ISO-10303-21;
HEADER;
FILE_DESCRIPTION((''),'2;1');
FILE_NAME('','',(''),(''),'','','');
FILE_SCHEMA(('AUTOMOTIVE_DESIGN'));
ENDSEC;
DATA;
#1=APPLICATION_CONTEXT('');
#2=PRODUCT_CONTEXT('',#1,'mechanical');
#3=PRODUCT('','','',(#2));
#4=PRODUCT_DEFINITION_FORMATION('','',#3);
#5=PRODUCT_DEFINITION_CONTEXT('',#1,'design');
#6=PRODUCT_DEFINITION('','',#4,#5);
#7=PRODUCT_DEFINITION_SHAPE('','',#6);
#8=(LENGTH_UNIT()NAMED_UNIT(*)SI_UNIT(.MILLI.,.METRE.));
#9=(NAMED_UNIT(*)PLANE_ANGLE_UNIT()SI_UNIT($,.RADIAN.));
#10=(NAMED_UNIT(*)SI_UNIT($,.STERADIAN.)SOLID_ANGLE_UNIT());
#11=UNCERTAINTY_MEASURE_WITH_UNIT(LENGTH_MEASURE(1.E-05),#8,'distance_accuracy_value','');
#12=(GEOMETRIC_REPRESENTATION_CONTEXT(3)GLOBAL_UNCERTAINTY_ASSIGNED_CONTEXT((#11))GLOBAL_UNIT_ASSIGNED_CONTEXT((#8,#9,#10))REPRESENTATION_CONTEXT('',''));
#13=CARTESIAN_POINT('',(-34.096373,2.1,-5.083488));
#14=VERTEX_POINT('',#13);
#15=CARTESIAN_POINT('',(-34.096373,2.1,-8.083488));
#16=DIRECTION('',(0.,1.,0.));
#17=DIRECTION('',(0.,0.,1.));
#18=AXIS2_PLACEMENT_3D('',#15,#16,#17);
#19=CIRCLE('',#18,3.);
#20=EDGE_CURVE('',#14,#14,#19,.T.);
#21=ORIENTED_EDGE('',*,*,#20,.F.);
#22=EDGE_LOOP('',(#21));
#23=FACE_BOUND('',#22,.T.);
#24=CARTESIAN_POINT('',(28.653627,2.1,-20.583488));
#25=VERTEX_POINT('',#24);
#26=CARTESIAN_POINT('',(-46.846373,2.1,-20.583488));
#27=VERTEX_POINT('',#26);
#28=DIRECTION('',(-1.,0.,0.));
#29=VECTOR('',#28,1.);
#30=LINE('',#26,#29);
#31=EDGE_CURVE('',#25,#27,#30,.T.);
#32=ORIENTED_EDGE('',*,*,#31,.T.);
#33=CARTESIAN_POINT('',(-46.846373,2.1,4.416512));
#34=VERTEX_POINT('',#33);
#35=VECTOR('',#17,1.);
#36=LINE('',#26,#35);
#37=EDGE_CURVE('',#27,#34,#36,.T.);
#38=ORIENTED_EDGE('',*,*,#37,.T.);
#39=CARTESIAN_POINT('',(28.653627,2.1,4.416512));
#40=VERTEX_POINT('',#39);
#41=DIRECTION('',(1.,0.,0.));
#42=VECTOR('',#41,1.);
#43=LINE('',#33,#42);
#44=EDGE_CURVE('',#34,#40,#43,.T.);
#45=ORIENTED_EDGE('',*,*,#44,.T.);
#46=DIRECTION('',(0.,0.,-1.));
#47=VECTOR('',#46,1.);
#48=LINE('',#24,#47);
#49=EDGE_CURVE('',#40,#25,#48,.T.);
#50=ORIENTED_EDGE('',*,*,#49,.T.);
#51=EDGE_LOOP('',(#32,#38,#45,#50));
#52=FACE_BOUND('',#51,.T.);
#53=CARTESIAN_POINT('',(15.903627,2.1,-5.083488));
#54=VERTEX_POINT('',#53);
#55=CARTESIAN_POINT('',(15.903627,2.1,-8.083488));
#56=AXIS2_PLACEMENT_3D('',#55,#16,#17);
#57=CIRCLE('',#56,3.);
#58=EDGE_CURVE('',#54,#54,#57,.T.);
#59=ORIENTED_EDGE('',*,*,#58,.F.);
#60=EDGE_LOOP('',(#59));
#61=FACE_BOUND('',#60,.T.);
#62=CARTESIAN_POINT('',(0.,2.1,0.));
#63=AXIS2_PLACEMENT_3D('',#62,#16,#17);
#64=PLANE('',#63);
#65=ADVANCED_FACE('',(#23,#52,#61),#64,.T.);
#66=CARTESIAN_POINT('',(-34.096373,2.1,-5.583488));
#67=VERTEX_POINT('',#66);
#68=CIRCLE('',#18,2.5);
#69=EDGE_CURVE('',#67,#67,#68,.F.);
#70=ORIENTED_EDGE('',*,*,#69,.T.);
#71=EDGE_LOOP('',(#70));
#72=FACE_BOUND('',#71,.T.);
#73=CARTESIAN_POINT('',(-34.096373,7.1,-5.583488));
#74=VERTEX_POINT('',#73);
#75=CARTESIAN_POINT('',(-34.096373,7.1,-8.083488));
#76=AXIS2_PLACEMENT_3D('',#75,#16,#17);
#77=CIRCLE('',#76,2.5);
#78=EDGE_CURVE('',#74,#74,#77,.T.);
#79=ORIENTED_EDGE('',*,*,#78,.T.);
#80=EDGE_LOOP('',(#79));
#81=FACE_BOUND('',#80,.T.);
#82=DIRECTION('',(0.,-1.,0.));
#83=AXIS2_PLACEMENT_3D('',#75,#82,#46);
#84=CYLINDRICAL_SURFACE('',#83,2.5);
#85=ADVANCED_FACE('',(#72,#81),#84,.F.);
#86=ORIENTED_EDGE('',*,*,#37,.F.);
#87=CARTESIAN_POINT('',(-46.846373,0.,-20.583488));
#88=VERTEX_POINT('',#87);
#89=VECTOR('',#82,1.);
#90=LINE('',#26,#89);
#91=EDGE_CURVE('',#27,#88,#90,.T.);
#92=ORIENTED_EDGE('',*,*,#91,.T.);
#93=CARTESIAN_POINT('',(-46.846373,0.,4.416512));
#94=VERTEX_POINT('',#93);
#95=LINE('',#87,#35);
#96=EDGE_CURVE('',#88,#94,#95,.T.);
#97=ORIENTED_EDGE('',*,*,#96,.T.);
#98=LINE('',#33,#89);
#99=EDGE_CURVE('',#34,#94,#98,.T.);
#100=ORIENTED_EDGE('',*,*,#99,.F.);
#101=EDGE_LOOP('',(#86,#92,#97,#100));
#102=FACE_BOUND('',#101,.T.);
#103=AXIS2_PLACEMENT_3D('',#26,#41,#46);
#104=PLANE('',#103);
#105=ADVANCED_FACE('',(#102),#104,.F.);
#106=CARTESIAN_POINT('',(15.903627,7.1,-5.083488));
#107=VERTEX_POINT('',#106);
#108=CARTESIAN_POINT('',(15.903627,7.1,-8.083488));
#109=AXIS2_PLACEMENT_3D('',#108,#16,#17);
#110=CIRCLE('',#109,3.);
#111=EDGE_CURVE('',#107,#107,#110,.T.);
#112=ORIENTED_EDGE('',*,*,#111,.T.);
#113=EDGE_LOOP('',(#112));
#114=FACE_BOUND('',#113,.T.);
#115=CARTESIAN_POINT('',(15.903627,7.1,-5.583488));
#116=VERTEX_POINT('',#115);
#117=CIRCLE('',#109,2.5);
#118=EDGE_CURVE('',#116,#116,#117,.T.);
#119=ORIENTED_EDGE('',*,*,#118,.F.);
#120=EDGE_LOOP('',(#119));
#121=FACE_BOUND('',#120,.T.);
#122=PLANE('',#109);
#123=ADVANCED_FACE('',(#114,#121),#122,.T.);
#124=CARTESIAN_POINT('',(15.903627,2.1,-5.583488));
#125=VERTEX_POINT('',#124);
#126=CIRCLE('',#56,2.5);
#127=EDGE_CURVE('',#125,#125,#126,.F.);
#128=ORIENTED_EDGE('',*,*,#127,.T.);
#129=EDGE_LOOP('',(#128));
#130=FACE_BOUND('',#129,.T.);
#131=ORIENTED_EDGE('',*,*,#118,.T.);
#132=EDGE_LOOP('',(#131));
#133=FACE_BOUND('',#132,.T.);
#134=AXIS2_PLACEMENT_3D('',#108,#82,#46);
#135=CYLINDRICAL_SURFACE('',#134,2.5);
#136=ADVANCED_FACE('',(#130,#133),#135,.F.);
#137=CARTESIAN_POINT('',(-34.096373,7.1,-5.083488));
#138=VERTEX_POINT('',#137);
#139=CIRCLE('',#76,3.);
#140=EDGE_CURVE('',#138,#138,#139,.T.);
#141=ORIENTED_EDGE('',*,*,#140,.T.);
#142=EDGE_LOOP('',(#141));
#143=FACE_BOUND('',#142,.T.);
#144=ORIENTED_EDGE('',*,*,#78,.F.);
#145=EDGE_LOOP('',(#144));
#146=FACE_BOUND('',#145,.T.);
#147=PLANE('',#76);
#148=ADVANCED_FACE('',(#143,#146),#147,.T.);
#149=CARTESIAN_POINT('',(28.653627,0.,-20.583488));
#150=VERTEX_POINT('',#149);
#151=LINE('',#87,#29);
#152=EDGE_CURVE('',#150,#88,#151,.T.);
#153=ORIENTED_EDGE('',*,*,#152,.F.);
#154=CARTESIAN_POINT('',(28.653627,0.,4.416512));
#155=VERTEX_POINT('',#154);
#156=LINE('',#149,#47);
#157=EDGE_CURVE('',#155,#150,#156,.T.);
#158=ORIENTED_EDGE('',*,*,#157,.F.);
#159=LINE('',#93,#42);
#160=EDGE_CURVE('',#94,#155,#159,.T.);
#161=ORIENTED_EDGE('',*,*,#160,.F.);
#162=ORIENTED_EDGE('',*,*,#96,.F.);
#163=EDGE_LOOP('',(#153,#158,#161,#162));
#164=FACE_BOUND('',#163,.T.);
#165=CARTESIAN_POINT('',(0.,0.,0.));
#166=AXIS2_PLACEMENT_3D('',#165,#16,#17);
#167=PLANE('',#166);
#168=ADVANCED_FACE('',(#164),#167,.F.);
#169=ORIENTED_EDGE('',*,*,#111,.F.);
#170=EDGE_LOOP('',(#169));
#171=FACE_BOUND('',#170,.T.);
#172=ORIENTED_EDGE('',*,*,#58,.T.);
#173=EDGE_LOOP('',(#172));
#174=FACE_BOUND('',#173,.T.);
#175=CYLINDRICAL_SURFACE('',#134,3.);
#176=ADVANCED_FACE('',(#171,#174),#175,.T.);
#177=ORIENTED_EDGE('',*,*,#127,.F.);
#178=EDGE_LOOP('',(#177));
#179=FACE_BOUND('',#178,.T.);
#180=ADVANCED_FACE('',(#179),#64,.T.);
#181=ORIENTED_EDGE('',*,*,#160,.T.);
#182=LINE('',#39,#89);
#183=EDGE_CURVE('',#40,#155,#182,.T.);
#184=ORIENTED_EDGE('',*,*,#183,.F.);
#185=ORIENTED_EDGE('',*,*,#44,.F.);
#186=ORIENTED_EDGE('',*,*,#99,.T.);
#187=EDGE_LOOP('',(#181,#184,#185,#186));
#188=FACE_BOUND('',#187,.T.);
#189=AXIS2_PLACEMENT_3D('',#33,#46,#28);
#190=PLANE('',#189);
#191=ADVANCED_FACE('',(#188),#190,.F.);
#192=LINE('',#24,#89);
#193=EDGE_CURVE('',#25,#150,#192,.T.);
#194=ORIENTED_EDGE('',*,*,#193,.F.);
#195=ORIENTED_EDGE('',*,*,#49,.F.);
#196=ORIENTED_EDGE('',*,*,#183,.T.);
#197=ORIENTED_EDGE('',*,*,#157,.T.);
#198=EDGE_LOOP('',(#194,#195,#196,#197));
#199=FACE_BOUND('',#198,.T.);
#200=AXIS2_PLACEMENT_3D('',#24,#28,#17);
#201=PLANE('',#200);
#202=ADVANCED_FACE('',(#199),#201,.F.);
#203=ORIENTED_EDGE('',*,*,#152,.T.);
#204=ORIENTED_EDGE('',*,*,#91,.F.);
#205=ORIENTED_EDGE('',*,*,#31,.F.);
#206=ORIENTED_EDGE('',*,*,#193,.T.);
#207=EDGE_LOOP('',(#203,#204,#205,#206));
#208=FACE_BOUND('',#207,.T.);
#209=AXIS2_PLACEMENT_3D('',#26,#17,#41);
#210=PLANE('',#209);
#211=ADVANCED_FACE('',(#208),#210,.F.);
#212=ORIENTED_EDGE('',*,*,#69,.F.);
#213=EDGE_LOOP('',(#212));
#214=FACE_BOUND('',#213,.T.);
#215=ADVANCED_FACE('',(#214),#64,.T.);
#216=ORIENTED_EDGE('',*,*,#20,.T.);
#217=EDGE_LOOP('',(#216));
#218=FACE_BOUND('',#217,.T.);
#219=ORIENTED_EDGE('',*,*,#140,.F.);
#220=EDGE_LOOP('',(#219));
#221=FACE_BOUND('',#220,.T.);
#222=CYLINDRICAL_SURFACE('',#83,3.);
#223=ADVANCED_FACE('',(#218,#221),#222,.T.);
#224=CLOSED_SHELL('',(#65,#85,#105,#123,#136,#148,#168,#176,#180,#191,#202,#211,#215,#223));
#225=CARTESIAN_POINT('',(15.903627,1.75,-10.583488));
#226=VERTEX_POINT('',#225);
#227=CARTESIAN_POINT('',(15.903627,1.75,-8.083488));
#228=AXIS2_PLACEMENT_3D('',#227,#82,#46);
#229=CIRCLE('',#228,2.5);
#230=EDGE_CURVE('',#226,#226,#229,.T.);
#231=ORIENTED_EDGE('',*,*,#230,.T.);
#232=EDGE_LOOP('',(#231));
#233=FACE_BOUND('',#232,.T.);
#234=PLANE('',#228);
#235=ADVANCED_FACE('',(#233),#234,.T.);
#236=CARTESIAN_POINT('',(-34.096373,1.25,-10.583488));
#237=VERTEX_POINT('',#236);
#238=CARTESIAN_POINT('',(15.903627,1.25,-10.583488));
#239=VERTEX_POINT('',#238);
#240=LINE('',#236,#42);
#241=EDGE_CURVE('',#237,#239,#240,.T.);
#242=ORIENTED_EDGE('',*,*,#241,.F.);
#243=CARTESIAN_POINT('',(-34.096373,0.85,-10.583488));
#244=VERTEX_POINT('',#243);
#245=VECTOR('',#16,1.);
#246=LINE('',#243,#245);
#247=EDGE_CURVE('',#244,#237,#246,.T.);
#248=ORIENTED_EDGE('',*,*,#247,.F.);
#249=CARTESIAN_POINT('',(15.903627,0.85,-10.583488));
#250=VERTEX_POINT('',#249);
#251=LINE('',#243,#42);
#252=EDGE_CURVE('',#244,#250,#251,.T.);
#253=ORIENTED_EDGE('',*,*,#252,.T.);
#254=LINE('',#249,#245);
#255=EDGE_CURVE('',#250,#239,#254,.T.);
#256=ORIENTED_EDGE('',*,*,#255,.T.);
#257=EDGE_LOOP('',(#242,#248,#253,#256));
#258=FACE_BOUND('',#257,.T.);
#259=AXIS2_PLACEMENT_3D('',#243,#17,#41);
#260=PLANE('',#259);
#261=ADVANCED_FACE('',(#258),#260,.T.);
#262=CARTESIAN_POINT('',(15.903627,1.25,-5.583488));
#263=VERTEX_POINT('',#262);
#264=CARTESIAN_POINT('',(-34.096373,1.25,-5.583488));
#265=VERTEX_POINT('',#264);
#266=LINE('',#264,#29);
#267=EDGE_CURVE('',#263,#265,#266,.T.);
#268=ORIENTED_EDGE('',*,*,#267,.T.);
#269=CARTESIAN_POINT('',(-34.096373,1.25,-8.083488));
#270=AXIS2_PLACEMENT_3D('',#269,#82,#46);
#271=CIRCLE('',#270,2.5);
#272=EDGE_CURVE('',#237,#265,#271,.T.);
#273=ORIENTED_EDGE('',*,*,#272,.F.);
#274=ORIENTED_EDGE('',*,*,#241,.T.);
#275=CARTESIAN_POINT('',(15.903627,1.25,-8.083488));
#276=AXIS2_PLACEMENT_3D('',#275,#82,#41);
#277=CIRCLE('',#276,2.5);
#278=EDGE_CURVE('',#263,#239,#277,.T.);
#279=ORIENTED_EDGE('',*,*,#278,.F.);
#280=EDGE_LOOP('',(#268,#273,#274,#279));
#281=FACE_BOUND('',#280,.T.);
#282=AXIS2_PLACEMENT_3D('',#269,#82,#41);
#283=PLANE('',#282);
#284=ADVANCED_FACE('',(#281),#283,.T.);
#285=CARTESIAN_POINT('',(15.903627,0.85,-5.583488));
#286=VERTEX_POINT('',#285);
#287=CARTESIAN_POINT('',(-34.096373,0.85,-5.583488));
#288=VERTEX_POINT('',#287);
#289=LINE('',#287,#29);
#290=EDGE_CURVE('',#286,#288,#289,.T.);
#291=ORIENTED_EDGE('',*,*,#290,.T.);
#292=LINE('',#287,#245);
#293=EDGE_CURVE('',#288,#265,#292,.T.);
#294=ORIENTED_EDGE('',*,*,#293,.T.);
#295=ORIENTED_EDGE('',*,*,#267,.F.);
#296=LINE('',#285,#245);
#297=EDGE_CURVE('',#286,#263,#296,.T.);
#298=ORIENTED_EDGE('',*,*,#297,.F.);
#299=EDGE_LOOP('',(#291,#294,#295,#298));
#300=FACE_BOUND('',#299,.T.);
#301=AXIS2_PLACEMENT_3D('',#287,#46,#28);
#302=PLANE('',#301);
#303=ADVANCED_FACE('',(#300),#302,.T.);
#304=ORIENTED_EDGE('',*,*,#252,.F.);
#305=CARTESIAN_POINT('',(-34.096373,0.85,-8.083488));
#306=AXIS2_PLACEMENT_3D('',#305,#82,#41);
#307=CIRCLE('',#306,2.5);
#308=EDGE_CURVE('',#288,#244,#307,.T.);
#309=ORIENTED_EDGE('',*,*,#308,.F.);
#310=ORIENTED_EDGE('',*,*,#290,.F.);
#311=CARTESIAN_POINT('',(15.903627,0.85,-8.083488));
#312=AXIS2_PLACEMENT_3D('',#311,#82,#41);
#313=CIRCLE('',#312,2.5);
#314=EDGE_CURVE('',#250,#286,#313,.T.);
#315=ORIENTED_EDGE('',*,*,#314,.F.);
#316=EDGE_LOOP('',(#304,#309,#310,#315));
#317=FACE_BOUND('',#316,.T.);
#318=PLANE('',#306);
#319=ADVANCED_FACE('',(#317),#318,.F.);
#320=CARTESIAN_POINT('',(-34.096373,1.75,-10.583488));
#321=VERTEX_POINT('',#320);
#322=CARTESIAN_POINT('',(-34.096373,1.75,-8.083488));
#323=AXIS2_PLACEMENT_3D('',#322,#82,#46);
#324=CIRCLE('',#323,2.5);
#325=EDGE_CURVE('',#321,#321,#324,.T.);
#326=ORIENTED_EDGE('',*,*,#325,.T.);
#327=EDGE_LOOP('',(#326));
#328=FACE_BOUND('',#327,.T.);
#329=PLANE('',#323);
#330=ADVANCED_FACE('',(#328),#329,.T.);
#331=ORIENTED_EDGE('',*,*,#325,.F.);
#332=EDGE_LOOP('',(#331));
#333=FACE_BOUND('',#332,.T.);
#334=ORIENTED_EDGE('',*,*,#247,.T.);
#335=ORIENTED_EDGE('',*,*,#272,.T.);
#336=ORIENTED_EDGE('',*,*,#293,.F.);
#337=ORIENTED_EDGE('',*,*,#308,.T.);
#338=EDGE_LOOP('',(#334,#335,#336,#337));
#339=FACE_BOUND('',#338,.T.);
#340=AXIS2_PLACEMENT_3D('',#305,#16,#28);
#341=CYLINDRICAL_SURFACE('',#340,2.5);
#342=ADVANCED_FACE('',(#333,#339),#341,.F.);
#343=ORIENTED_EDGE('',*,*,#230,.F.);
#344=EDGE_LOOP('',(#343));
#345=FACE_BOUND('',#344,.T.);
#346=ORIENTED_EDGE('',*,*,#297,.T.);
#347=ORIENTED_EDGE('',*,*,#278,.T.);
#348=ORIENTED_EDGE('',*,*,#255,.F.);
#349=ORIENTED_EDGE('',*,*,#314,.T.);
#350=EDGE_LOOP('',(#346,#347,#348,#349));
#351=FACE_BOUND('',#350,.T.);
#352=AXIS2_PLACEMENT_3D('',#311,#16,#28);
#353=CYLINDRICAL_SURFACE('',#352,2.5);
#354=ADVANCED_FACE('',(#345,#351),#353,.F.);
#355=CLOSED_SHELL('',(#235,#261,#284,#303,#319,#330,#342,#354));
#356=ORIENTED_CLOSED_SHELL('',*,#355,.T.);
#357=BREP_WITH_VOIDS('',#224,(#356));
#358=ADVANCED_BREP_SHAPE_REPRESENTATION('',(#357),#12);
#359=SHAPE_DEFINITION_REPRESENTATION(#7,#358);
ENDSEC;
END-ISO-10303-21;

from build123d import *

# Parameters (mm, degrees)
SKETCH1_W               = 75.5
SKETCH1_H               = 25
BOSS_EXTRUDE1_DEPTH     = 2.1
CUT_EXTRUDE1_DEPTH      = 0.2
CUT_EXTRUDE1_DEPTH_BACK = 0.2
SKETCH4_R               = 3
SKETCH4_R_2             = 2.5
BOSS_EXTRUDE2_DEPTH     = 5
SKETCH5_R               = 2.5
CUT_EXTRUDE5_DEPTH      = 0.5


with BuildPart() as part:
    # Sketch1 → Boss-Extrude1 (new body)
    with BuildSketch(Plane(origin=(0, 0, 0), x_dir=(1, 0, 0), z_dir=(0, 1, 0))):
        with Locations((-9.096373467, 8.083487785)):
            Rectangle(SKETCH1_W, SKETCH1_H)
    extrude(amount=BOSS_EXTRUDE1_DEPTH)

    # Sketch3 → Cut-Extrude1 (cut, two sides)
    with BuildSketch(Plane(origin=(0, 1.05, 0), x_dir=(-1, 0, 0), z_dir=(0, -1, 0))) as cut_extrude1_sk:
        with BuildLine():
            Line((34.096373467, 5.583487785), (-15.903626533, 5.583487785))
            ThreePointArc((-15.903626533, 5.583487785), (-18.403626533, 8.083487785), (-15.903626533, 10.583487785))
            Line((-15.903626533, 10.583487785), (34.096373467, 10.583487785))
            ThreePointArc((34.096373467, 10.583487785), (36.596373467, 8.083487785), (34.096373467, 5.583487785))
        make_face()
    extrude(amount=CUT_EXTRUDE1_DEPTH, mode=Mode.SUBTRACT)
    extrude(cut_extrude1_sk.sketch, amount=-CUT_EXTRUDE1_DEPTH_BACK, mode=Mode.SUBTRACT)

    # Sketch4 → Boss-Extrude2 (add)
    with BuildSketch(Plane(origin=(0, 2.1, 0), x_dir=(1, 0, 0), z_dir=(0, 1, 0))):
        with Locations((-34.096373467, 8.083487785)):
            Circle(SKETCH4_R)
        with Locations((-34.096373467, 8.083487785)):
            Circle(SKETCH4_R_2, mode=Mode.SUBTRACT)
        with Locations((15.903626533, 8.083487785)):
            Circle(SKETCH4_R)
        with Locations((15.903626533, 8.083487785)):
            Circle(SKETCH4_R_2, mode=Mode.SUBTRACT)
    extrude(amount=BOSS_EXTRUDE2_DEPTH)

    # Sketch5 → Cut-Extrude5 (cut)
    with BuildSketch(Plane.XZ.offset(-1.25)):
        with Locations((-34.096373467, -8.083487785)):
            Circle(SKETCH5_R)
        with Locations((15.903626533, -8.083487785)):
            Circle(SKETCH5_R)
    extrude(amount=-CUT_EXTRUDE5_DEPTH, mode=Mode.SUBTRACT)


solid = part.part
